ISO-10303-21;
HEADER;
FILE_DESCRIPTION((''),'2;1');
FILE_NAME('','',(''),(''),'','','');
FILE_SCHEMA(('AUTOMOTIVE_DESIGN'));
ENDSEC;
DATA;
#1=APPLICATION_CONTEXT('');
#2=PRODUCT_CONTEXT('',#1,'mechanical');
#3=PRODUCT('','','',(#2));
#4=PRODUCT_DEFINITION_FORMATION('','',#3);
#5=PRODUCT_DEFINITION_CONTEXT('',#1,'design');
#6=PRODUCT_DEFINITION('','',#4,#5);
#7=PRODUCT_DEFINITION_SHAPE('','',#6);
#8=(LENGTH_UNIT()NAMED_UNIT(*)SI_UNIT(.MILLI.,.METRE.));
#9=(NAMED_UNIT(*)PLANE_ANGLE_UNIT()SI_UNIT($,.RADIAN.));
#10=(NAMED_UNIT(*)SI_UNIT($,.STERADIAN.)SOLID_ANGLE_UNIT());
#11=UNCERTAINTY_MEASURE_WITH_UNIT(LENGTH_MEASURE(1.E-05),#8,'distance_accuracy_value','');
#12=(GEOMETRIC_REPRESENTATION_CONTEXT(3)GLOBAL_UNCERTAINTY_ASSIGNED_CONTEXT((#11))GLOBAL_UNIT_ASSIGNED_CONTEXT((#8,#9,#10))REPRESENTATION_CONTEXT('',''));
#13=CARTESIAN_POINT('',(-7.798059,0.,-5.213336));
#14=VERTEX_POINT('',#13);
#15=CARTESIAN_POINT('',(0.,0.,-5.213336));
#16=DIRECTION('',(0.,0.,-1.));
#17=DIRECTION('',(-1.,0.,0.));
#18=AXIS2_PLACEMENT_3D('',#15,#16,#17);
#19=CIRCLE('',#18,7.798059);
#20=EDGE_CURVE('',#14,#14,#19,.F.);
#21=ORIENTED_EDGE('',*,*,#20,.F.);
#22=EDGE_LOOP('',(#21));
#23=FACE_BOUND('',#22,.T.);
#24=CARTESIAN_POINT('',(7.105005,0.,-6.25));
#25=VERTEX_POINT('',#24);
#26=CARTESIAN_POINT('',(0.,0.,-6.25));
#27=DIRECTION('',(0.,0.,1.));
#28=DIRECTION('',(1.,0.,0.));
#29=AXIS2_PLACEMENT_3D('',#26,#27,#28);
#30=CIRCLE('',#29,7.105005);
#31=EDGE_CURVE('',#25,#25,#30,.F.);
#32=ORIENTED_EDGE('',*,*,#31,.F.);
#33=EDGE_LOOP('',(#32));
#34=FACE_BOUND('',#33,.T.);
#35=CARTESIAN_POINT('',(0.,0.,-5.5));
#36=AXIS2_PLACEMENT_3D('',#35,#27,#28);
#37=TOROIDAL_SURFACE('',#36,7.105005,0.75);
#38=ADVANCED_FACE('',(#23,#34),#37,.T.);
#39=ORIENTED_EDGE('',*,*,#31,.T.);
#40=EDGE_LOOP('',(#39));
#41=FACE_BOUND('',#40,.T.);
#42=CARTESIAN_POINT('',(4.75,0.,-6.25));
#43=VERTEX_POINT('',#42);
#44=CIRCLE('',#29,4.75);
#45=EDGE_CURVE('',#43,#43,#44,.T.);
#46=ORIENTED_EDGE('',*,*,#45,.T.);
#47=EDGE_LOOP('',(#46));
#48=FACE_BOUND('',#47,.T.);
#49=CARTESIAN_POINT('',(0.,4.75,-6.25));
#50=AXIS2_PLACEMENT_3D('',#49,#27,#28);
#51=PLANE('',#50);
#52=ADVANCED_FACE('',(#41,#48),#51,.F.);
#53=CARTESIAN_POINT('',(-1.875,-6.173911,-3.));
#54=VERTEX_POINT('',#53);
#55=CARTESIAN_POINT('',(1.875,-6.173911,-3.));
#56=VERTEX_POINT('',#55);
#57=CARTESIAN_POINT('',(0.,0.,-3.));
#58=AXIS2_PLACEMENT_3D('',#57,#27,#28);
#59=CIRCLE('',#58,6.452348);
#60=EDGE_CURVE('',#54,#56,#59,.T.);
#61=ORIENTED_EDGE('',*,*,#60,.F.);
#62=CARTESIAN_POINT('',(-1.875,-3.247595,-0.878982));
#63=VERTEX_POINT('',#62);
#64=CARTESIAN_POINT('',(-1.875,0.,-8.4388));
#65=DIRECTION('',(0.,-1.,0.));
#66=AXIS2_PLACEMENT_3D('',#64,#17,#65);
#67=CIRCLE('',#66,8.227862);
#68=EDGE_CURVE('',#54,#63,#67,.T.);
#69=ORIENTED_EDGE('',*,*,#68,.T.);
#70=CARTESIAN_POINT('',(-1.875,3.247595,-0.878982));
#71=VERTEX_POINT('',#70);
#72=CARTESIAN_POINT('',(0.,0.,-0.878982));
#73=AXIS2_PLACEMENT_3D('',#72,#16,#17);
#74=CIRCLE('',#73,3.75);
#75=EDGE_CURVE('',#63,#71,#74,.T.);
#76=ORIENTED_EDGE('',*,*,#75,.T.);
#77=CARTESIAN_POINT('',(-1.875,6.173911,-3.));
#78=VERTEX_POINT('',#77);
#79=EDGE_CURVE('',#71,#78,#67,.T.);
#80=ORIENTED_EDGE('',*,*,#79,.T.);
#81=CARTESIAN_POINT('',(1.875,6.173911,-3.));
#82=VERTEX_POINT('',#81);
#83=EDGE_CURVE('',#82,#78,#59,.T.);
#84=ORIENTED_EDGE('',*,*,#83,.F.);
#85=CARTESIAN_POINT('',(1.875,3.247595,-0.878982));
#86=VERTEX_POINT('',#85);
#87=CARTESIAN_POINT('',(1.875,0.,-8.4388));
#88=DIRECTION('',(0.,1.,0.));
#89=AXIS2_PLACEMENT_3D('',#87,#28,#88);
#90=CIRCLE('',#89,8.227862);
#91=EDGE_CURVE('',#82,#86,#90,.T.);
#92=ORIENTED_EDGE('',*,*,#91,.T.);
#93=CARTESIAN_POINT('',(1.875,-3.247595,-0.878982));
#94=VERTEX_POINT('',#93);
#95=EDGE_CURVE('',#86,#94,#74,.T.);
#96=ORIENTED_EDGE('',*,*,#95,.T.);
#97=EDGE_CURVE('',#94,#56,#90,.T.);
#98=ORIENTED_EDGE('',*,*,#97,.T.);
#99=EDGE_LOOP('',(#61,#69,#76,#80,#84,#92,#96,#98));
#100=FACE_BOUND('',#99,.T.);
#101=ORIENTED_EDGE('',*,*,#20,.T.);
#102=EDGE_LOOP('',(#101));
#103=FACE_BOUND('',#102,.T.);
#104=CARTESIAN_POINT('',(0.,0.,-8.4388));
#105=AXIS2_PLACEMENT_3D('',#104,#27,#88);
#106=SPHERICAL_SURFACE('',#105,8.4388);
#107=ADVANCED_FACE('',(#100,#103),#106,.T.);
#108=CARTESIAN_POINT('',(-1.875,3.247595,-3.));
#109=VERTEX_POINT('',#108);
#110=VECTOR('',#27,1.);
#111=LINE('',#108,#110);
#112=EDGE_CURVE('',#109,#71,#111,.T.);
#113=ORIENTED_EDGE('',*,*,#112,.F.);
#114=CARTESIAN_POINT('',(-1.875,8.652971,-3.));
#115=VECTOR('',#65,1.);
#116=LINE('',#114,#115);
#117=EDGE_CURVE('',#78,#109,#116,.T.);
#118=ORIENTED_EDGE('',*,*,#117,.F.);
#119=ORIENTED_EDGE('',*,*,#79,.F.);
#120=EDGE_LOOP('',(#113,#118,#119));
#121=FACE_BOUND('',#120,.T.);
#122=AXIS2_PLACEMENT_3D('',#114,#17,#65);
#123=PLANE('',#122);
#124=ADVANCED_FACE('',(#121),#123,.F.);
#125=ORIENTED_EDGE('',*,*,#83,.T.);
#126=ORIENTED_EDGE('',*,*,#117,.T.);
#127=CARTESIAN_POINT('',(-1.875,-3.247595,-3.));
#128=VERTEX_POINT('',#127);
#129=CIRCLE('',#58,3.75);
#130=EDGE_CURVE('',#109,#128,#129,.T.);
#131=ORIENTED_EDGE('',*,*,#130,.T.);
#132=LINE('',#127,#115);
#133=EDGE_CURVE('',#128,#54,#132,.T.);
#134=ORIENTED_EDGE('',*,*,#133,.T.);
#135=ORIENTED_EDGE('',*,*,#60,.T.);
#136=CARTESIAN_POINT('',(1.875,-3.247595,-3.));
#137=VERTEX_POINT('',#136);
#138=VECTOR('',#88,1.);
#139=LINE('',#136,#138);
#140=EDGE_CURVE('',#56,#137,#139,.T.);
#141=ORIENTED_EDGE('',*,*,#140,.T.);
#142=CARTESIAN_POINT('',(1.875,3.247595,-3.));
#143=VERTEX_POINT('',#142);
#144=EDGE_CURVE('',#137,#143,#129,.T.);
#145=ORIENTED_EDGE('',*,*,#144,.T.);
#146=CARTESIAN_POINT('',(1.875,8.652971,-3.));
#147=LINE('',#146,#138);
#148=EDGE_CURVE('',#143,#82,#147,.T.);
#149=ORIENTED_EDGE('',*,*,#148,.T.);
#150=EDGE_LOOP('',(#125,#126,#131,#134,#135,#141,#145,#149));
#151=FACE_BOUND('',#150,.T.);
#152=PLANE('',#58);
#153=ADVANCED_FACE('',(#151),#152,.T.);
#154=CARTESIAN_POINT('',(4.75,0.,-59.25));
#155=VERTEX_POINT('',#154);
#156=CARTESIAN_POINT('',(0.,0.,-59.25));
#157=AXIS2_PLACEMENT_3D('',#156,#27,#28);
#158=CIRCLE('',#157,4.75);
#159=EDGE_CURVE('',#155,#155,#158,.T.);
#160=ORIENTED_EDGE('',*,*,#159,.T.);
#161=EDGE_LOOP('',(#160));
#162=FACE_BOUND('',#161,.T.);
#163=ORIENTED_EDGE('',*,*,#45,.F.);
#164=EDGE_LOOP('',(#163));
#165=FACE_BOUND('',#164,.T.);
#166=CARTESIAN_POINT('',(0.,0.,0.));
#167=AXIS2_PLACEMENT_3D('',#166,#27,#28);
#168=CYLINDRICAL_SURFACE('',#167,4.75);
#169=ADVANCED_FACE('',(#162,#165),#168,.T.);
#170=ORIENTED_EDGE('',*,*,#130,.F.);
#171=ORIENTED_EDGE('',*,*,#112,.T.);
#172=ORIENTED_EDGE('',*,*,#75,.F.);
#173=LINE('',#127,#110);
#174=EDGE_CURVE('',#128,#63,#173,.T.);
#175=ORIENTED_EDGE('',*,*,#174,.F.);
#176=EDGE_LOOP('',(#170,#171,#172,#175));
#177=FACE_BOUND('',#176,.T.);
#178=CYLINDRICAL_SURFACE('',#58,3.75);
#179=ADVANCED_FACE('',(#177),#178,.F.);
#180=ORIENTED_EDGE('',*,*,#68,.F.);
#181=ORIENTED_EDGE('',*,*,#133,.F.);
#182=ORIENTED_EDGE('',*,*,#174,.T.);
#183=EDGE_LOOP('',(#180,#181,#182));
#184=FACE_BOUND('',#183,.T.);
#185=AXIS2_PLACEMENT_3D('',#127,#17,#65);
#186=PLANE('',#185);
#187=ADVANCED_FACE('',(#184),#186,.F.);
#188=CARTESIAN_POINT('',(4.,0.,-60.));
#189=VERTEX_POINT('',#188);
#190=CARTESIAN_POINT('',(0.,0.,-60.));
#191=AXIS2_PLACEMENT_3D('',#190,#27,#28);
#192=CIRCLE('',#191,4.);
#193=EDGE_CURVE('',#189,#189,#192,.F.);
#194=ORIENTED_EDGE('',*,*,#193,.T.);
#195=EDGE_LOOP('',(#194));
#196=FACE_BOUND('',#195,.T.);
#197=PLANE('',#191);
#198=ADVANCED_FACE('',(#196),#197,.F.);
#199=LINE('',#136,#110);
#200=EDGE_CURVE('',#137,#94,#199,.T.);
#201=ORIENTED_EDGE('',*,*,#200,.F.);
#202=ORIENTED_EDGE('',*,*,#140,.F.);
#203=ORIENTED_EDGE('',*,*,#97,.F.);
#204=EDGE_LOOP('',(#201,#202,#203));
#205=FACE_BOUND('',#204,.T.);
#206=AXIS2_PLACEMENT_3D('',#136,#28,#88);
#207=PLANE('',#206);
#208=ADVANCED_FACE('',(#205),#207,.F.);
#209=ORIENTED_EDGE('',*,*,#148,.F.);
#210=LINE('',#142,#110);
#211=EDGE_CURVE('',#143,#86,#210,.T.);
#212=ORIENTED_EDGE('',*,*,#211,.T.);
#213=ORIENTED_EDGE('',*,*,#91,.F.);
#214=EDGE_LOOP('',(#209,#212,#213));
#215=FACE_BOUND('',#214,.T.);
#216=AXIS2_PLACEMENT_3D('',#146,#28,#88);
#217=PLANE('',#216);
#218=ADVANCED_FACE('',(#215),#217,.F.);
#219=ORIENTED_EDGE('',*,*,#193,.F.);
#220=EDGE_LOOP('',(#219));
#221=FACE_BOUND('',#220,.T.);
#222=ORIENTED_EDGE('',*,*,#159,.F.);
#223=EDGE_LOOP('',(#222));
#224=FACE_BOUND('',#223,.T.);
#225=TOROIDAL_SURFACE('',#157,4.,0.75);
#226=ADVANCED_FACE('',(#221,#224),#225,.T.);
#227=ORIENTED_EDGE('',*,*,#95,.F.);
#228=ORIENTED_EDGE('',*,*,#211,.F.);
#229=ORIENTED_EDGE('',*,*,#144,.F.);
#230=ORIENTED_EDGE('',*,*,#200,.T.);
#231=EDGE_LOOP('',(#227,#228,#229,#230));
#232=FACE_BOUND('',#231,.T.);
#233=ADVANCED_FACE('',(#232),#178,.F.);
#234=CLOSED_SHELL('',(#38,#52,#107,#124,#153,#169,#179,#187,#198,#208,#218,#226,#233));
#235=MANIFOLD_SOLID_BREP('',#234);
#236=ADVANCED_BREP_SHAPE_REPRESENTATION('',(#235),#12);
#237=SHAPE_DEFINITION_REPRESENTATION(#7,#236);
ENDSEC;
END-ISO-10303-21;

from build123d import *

# Parameters (mm, degrees)
FILLET1_R          = 0.75
CUT_EXTRUDE2_DEPTH = 3


with BuildPart() as part:
    # Sketch1 → Revolve1 (revolve)
    with BuildSketch(Plane(origin=(0, 0, 0), x_dir=(0, 0, -1), z_dir=(1, 0, 0))):
        with BuildLine():
            Line((0, 0), (60, 0))
            Line((60, 0), (60, 4.75))
            Line((60, 4.75), (6.25, 4.75))
            Line((6.25, 4.75), (6.25, 8.15))
            ThreePointArc((6.25, 8.15), (1.742375921, 5.135294539), (0, 0))
        make_face()
    revolve(axis=Axis((0, 0, 0), (0, 0, -1)))

    # Fillet1
    fillet1_edges = [part.edges().sort_by_distance(p)[0] for p in [
        (0, -8.15, -6.25),
        (0, -4.75, -60),
    ]]
    fillet(fillet1_edges, radius=FILLET1_R)

    # Sketch3 → Cut-Extrude2 (cut)
    with BuildSketch(Plane.XY):
        with BuildLine():
            Line((1.875, -3.247595264), (1.875, -8.652971254))
            Line((1.875, -8.652971254), (-1.875, -8.652971254))
            Line((-1.875, -8.652971254), (-1.875, -3.247595264))
            ThreePointArc((-1.875, -3.247595264), (-3.75, 0), (-1.875, 3.247595264))
            Line((-1.875, 3.247595264), (-1.875, 8.652971254))
            Line((-1.875, 8.652971254), (1.875, 8.652971254))
            Line((1.875, 8.652971254), (1.875, 3.247595264))
            ThreePointArc((1.875, 3.247595264), (3.75, 0), (1.875, -3.247595264))
        make_face()
    extrude(amount=-CUT_EXTRUDE2_DEPTH, mode=Mode.SUBTRACT)


solid = part.part
